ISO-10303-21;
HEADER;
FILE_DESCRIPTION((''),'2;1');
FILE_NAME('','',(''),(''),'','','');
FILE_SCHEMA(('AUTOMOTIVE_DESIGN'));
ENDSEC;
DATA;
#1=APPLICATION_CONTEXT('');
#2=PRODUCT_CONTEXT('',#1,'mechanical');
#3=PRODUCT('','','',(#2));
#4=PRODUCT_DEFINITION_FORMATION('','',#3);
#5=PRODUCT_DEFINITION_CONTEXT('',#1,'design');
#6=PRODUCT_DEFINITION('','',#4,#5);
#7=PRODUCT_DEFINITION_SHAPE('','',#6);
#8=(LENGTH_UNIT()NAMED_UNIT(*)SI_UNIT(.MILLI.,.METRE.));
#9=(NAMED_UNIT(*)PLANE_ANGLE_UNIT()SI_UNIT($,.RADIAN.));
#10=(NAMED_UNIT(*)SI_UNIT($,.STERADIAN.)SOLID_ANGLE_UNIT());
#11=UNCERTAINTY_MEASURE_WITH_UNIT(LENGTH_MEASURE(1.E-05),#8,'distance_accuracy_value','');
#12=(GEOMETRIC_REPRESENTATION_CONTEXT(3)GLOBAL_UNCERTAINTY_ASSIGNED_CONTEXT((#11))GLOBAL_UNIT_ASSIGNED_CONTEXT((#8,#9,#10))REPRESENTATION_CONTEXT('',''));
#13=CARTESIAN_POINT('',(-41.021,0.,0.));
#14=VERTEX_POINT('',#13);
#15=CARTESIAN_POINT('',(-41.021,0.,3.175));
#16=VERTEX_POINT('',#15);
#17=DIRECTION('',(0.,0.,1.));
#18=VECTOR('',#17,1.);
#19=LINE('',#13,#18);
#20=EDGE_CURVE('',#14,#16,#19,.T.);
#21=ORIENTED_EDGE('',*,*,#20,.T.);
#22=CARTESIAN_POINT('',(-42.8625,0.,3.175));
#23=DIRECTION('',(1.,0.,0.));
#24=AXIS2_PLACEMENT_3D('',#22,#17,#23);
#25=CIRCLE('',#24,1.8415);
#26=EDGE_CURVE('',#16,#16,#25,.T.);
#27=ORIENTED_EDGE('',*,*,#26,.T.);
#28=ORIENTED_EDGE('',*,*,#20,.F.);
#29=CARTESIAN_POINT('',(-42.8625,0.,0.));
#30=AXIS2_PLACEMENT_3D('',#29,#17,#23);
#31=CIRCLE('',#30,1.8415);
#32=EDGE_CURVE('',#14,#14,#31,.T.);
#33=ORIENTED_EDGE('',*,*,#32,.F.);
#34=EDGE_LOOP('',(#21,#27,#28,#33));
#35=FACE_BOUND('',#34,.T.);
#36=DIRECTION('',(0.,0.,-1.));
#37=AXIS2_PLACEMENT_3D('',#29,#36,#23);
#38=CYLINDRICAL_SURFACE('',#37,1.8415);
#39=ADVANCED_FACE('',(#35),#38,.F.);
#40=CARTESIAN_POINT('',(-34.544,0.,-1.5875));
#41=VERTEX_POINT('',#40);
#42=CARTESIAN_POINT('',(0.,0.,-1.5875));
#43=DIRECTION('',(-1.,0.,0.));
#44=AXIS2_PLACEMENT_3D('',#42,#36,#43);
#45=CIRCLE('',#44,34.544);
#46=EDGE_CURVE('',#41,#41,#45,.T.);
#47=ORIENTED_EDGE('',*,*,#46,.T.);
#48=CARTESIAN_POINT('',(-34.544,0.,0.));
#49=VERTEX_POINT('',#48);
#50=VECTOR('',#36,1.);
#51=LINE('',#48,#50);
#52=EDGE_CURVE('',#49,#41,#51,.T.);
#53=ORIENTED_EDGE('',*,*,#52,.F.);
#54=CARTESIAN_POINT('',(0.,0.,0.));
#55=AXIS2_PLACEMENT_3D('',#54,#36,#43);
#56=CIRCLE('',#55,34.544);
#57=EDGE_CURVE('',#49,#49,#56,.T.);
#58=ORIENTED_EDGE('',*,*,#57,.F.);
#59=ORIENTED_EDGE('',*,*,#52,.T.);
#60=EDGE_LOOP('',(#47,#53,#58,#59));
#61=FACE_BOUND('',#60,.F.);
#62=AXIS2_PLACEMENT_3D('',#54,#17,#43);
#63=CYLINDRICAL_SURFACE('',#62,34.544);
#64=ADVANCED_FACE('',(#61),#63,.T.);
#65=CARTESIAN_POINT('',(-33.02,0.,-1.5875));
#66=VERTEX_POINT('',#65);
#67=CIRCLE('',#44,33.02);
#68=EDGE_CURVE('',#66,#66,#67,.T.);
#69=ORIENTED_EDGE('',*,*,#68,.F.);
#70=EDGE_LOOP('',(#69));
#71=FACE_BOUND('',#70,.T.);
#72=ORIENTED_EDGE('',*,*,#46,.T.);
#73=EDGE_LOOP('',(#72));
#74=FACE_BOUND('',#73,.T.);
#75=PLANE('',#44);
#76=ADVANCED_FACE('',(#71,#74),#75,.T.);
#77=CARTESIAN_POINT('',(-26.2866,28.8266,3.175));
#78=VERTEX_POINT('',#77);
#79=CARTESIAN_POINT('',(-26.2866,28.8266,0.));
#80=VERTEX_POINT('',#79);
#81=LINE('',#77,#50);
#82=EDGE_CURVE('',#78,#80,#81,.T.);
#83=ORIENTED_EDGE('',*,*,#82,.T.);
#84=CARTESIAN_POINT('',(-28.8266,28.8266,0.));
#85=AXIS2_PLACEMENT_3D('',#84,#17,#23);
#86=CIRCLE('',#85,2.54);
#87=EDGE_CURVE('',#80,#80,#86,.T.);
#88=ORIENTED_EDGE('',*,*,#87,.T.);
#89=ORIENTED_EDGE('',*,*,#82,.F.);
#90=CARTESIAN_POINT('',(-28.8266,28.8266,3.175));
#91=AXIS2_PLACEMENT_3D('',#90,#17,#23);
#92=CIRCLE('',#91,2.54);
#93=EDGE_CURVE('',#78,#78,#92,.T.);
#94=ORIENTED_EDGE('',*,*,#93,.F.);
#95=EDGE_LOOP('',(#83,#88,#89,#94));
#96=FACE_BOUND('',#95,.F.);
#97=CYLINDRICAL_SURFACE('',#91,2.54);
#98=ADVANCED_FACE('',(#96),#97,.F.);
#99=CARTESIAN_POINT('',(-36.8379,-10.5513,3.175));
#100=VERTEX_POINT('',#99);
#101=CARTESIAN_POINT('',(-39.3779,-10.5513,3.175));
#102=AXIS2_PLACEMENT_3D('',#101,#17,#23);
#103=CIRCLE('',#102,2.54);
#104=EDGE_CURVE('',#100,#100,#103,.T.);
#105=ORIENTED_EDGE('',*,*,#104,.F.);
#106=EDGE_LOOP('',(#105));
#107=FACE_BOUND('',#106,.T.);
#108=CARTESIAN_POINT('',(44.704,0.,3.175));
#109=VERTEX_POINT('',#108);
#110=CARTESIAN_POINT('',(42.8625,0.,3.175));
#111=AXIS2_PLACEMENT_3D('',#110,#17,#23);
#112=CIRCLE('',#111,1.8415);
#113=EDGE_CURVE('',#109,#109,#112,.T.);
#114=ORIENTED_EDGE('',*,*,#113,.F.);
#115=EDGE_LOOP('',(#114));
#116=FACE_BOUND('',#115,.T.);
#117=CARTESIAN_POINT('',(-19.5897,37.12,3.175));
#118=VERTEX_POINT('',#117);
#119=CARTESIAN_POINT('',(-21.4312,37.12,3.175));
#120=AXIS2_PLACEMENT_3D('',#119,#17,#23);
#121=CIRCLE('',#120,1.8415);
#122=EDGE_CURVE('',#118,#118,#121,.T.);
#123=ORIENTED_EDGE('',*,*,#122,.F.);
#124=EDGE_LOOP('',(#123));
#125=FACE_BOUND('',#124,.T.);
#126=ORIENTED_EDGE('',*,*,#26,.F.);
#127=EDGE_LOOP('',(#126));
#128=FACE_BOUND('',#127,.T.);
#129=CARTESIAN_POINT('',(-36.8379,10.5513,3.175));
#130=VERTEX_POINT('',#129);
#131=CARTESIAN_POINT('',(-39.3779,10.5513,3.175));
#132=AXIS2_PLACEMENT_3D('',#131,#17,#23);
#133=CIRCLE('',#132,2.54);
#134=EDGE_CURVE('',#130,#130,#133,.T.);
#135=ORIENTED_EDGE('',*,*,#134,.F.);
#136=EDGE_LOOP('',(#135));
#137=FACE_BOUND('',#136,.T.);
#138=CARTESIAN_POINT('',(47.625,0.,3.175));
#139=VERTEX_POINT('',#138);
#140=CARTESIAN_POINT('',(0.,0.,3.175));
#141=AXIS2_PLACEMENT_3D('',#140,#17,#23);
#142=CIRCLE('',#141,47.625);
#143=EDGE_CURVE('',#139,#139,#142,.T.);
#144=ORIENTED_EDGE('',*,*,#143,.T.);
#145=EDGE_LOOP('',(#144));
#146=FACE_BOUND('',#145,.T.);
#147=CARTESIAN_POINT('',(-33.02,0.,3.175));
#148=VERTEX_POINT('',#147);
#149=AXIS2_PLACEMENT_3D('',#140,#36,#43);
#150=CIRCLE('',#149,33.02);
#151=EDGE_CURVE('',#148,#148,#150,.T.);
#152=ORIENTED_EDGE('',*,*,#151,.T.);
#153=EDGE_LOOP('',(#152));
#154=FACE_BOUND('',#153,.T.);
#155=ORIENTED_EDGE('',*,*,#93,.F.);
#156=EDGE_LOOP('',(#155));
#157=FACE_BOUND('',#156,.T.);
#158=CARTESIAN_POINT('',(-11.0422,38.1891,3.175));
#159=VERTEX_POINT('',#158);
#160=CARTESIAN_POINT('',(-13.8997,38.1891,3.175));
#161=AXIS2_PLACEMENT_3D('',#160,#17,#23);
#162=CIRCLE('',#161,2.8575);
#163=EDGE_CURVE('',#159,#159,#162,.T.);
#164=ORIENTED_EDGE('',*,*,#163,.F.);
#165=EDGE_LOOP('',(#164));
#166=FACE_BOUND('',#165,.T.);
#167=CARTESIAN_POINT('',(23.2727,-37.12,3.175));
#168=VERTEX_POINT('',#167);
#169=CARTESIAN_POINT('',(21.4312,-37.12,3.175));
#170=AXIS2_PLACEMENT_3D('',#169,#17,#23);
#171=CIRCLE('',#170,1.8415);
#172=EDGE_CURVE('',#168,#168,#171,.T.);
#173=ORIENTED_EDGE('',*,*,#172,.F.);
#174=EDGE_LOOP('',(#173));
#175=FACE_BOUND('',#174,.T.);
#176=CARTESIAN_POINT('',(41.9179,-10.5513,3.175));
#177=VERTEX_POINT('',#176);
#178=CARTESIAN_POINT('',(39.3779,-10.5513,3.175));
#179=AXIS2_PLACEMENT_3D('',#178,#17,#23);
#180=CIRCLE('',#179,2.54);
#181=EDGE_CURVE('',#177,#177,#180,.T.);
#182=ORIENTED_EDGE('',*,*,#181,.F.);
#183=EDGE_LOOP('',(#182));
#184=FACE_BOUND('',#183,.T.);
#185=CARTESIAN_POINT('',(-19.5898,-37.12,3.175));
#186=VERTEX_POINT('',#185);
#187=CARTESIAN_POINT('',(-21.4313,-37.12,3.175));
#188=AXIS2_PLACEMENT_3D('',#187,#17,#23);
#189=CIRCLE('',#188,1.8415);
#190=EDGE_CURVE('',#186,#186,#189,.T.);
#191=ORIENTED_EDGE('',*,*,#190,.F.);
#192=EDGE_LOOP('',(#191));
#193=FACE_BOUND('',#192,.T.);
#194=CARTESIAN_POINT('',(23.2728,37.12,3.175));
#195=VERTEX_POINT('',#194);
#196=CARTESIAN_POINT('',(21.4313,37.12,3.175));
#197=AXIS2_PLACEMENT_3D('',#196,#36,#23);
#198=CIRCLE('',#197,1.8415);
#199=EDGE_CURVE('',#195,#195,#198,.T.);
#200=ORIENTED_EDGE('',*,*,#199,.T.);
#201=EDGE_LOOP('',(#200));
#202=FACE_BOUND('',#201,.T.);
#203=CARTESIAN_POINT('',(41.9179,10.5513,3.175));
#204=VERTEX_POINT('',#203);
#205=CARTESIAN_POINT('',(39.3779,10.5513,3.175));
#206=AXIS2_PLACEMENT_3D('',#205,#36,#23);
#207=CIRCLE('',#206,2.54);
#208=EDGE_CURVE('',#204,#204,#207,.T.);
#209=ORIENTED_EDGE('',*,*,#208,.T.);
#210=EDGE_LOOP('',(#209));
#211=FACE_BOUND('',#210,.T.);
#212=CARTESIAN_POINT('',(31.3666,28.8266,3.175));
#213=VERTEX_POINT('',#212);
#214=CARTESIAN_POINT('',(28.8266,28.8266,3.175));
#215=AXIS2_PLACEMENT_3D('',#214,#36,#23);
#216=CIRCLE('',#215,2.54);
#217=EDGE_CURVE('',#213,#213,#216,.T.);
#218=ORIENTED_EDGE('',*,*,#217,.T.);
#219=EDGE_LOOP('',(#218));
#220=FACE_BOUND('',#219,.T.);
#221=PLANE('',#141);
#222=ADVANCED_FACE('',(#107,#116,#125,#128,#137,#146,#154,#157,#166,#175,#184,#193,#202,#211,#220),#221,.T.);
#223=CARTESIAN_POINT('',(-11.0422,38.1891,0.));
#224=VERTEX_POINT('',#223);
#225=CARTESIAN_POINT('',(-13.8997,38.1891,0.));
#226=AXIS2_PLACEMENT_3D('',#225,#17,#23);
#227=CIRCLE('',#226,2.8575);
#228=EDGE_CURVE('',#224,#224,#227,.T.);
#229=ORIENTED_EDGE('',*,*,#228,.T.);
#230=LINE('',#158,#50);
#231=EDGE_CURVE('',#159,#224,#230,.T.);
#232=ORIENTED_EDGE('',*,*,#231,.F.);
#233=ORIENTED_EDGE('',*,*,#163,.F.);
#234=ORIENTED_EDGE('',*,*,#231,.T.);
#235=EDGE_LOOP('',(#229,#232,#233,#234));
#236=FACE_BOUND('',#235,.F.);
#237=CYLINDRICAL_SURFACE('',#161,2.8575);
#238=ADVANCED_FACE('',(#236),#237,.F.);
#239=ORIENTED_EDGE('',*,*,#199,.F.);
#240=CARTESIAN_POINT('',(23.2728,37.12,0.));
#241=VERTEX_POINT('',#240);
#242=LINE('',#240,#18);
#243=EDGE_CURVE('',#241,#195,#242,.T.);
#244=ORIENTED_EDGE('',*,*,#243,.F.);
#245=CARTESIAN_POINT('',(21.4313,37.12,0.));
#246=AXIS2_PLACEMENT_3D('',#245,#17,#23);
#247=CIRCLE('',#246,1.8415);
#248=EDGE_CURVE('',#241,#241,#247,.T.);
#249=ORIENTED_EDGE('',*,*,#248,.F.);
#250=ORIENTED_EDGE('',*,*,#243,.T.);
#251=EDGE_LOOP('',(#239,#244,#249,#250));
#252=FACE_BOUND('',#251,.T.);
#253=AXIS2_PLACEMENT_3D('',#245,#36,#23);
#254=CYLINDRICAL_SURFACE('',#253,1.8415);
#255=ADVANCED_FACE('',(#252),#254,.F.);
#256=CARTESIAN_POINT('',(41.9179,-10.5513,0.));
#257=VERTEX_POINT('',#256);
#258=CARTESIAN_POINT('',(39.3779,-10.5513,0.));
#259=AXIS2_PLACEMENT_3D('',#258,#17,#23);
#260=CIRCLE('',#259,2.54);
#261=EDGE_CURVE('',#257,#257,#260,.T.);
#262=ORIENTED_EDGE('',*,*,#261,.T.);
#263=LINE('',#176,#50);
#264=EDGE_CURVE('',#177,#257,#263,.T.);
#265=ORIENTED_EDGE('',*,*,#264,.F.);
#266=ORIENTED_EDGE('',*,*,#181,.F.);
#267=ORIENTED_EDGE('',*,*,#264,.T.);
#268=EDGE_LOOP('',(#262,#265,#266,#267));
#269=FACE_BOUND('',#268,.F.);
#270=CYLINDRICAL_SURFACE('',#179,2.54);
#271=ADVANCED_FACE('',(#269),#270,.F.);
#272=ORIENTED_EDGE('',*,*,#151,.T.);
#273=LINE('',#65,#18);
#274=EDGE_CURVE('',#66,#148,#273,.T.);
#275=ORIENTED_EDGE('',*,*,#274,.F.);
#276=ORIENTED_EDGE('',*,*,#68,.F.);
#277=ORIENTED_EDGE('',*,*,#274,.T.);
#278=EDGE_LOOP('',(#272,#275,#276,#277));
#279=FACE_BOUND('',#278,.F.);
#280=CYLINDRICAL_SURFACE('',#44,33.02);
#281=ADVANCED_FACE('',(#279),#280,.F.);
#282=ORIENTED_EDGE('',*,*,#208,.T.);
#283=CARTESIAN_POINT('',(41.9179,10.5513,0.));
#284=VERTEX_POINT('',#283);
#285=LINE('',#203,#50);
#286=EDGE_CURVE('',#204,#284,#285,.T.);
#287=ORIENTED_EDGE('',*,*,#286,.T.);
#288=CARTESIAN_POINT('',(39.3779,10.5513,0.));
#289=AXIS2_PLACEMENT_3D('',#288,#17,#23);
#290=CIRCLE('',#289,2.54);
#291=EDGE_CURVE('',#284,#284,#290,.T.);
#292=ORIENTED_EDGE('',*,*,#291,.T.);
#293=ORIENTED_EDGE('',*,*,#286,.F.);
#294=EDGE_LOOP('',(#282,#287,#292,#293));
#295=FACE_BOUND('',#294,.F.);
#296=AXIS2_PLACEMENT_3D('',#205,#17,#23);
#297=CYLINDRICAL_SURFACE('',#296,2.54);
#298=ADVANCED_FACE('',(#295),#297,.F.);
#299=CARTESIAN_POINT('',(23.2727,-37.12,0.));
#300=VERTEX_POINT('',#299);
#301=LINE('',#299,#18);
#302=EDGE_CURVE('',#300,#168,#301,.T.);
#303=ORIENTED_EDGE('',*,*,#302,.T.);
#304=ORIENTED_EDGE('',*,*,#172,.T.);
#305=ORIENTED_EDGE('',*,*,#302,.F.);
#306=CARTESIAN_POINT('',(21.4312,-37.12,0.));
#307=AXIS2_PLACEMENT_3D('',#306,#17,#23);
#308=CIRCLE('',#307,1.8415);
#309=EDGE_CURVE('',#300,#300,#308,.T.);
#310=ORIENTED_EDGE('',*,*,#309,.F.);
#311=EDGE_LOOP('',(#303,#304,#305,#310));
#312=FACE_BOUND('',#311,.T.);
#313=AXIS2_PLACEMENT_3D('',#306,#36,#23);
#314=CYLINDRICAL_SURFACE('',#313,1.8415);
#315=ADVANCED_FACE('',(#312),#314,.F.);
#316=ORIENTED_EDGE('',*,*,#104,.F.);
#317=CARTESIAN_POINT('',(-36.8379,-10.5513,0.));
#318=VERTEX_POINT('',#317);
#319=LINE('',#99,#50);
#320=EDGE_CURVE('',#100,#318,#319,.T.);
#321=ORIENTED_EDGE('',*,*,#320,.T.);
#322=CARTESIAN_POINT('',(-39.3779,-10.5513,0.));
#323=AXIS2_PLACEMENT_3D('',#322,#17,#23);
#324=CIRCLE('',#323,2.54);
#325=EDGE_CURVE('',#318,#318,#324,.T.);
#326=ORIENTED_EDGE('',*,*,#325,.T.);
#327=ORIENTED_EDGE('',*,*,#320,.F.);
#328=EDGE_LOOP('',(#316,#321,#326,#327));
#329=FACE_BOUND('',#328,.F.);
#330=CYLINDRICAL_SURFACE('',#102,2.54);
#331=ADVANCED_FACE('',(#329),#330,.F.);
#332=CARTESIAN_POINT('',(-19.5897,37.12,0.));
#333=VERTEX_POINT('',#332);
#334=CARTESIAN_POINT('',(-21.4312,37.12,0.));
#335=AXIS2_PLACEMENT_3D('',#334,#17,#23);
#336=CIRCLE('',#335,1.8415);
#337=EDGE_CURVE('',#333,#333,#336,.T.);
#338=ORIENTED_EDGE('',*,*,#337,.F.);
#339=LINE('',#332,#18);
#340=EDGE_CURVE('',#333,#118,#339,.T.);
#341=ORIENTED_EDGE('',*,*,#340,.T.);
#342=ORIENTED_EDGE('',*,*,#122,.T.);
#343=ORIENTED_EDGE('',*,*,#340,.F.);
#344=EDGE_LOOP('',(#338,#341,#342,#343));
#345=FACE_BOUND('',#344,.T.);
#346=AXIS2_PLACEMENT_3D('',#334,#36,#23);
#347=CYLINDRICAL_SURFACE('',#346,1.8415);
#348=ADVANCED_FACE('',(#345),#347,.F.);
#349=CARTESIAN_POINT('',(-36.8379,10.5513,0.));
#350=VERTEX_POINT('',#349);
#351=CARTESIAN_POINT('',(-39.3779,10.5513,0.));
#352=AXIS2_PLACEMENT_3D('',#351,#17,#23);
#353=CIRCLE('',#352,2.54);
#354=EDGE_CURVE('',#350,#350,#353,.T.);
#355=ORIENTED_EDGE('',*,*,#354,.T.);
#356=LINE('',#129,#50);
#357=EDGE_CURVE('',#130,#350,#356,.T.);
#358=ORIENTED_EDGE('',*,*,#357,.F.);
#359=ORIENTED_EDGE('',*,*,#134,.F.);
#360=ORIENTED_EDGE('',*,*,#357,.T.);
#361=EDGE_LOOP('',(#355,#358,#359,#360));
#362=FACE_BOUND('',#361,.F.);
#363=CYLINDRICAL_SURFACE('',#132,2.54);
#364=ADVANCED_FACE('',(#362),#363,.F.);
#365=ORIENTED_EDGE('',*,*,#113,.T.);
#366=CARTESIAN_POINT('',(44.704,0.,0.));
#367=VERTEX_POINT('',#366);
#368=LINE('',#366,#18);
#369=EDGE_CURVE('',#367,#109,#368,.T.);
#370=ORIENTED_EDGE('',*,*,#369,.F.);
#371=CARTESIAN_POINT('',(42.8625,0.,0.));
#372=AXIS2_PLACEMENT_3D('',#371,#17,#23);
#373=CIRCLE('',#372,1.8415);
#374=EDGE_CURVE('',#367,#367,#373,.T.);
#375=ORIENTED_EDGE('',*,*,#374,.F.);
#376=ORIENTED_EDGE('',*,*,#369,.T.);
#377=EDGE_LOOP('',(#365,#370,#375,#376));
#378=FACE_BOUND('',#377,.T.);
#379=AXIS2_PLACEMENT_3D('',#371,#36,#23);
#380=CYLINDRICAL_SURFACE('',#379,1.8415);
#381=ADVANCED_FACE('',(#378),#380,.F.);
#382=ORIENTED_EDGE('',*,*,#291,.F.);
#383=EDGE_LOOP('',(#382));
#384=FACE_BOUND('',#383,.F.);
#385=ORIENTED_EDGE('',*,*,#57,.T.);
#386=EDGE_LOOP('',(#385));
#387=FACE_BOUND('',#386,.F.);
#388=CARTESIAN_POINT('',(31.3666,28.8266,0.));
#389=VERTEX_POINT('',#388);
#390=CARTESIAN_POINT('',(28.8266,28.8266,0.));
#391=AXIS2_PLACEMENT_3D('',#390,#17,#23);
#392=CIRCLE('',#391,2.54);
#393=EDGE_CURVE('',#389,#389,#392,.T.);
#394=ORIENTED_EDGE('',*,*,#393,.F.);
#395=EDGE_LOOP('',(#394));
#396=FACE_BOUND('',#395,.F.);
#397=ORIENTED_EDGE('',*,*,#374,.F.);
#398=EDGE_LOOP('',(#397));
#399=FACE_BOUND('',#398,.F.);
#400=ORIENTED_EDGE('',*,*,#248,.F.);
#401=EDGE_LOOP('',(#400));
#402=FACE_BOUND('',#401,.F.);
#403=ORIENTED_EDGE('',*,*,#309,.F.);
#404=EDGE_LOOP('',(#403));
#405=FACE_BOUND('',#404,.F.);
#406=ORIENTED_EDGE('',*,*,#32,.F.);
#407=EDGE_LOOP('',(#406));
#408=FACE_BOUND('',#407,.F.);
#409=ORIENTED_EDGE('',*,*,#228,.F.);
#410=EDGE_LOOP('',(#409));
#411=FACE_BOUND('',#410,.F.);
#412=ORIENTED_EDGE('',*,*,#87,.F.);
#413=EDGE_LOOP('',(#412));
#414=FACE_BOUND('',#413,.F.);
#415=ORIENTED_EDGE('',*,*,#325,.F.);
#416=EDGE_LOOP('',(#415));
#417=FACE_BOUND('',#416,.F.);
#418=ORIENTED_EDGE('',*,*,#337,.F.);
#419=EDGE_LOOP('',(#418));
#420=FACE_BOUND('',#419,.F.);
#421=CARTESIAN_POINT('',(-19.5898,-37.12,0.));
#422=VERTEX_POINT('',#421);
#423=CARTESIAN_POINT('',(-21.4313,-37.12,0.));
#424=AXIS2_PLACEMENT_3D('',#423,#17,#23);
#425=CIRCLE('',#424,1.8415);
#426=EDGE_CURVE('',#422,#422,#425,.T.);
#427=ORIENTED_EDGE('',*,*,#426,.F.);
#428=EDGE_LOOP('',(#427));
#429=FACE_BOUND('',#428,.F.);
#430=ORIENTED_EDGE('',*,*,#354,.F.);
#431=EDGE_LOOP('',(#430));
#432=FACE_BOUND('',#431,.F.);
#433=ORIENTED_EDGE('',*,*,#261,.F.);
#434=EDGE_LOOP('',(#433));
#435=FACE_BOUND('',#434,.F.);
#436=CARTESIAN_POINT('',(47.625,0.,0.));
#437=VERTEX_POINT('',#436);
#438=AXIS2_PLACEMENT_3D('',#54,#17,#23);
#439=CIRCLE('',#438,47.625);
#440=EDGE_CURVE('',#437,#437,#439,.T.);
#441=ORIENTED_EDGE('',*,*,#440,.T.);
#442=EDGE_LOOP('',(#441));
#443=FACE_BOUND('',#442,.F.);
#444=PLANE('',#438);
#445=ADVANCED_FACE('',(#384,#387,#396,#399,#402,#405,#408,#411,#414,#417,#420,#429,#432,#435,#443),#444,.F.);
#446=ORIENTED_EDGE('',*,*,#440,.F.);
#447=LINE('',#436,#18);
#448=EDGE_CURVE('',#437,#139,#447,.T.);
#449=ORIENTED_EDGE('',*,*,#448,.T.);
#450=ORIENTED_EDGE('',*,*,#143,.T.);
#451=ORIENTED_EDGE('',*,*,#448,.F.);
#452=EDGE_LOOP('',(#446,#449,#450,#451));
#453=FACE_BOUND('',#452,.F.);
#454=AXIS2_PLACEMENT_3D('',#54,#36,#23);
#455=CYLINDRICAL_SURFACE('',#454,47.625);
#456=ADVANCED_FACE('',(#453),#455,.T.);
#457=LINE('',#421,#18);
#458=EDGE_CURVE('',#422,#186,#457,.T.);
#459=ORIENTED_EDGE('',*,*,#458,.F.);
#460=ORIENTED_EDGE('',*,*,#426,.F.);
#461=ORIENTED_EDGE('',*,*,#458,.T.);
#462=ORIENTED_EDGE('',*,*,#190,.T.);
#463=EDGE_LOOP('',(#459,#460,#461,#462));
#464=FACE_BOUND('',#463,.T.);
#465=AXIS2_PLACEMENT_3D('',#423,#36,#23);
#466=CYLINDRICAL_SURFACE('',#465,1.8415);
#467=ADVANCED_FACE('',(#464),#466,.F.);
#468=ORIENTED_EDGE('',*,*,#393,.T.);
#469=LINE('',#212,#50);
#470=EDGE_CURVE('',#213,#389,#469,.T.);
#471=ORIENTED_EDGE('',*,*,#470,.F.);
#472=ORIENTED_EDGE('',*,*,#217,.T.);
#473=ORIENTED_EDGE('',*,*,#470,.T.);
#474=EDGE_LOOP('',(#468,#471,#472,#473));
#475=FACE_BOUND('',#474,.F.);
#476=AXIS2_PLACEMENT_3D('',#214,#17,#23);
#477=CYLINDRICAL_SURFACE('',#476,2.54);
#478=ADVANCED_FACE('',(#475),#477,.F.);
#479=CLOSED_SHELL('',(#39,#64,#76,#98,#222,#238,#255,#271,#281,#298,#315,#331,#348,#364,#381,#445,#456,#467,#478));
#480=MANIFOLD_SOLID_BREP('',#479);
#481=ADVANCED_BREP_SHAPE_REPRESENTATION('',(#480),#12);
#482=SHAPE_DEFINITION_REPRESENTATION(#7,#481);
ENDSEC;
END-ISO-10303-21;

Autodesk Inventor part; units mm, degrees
ref_plane "YZ Plane" through (0, 0, 0) normal (1, 0, 0) x (0, 1, 0)
ref_plane "XZ Plane" through (0, 0, 0) normal (0, 1, 0) x (-1, 0, 0)
ref_plane "XY Plane" through (0, 0, 0) normal (0, 0, 1) x (1, 0, 0)
sketch "Sketch1" plane through (0, 0, 0) normal (0, 0, 1) x (1, 0, 0)
  circle A0 centre (0, 0) radius 47.625
  line L0 (0, 0) -> (21.4313, 37.12)
  line L1 (0, 0) -> (42.8625, 0) construction
  circle A1 centre (21.4313, 37.12) radius 1.8415
  circle A2 centre (-21.4312, 37.12) radius 1.8415
  circle A3 centre (-42.8625, 0) radius 1.8415
  circle A4 centre (-21.4313, -37.12) radius 1.8415
  circle A5 centre (21.4312, -37.12) radius 1.8415
  circle A6 centre (42.8625, 0) radius 1.8415
  dimension "d0" = 95.25
  dimension "d1" = 42.8625
  dimension "d2" = 60
  dimension "d3" = 3.683
  dimension "d6" = 360
extrude "Extrusion1" add sketch "Sketch1" along normal blind 3.175
sketch "Sketch3" plane through (0, 0, 0) normal (0, 0, -1) x (-1, 0, 0)
  circle A0 centre (0, 0) radius 41.275
  circle A1 centre (0, 0) radius 34.544
  dimension "d10" = 82.55
  dimension "d11" = 69.088
extrude "Extrusion2" add sketch "Sketch3" along normal blind 1.5875 contours A1
sketch "Sketch6" plane through (0, 0, -1.5875) normal (0, 0, -1) x (-1, 0, 0)
  circle A0 centre (0, 0) radius 33.02
  dimension "d27" = 66.04
extrude "Extrusion4" cut sketch "Sketch6" against normal blind 25.4
sketch "Sketch8" plane through (0, 0, 3.175) normal (0, 0, 1) x (1, 0, 0)
  line L0 (0, 0) -> (39.3779, 10.5513)
  line L1 (0, 0) -> (40.767, 0) construction
  circle A0 centre (39.3779, 10.5513) radius 2.54
  line L2 (0, 0) -> (0, 8.7749)
  circle A1 centre (39.3779, -10.5513) radius 2.54
  circle A2 centre (-39.3779, 10.5513) radius 2.54
  circle A3 centre (-39.3779, -10.5513) radius 2.54
  circle A4 centre (21.4313, 37.12) radius 1.8415 projected
  line L3 (21.4313, 37.12) -> (0, 0)
  circle A5 centre (28.8266, 28.8266) radius 2.54
  line L4 (28.8266, 28.8266) -> (0, 0)
  circle A6 centre (-28.8266, 28.8266) radius 2.54
  dimension "d30" = 40.767
  dimension "d31" = 15
  dimension "d32" = 5.08
  dimension "d35" = 15
  dimension "d36" = 40.767
  dimension "d37" = 5.08
extrude "Extrusion5" cut sketch "Sketch8" against normal blind 25.4 contours A0 | A1 | A2 | A3
extrude "Extrusion6" cut sketch "Sketch8" against normal blind 25.4 contours A5 | A6
sketch "Sketch10" plane through (0, 0, 3.175) normal (0, 0, 1) x (1, 0, 0)
  line L0 (0, 0) -> (-13.8997, 38.1891) construction
  line L1 (0, 0) -> (40.64, 0) construction
  circle A0 centre (-13.8997, 38.1891) radius 2.8575
  dimension "d44" = 40.64
  dimension "d45" = 110
  dimension "d46" = 5.715
extrude "Extrusion8" cut sketch "Sketch10" against normal through all
sketch "Sketch9" plane through (0, 0, 3.175) normal (0, 0, 1) x (1, 0, 0)
  circle A0 centre (0, 0) radius 47.625
  circle A1 centre (0, 0) radius 47.117
  dimension "d40" = 95.25
  dimension "d41" = 94.234
extrude "PRINT_FEATURE_1" [suppressed]
equation "\"d35\" = d31"
equation "\"d36\" = d30"
equation "\"d37\" = d32"
properties part number "forwardBallastSealingWallRear" material "ABS Plastic"
